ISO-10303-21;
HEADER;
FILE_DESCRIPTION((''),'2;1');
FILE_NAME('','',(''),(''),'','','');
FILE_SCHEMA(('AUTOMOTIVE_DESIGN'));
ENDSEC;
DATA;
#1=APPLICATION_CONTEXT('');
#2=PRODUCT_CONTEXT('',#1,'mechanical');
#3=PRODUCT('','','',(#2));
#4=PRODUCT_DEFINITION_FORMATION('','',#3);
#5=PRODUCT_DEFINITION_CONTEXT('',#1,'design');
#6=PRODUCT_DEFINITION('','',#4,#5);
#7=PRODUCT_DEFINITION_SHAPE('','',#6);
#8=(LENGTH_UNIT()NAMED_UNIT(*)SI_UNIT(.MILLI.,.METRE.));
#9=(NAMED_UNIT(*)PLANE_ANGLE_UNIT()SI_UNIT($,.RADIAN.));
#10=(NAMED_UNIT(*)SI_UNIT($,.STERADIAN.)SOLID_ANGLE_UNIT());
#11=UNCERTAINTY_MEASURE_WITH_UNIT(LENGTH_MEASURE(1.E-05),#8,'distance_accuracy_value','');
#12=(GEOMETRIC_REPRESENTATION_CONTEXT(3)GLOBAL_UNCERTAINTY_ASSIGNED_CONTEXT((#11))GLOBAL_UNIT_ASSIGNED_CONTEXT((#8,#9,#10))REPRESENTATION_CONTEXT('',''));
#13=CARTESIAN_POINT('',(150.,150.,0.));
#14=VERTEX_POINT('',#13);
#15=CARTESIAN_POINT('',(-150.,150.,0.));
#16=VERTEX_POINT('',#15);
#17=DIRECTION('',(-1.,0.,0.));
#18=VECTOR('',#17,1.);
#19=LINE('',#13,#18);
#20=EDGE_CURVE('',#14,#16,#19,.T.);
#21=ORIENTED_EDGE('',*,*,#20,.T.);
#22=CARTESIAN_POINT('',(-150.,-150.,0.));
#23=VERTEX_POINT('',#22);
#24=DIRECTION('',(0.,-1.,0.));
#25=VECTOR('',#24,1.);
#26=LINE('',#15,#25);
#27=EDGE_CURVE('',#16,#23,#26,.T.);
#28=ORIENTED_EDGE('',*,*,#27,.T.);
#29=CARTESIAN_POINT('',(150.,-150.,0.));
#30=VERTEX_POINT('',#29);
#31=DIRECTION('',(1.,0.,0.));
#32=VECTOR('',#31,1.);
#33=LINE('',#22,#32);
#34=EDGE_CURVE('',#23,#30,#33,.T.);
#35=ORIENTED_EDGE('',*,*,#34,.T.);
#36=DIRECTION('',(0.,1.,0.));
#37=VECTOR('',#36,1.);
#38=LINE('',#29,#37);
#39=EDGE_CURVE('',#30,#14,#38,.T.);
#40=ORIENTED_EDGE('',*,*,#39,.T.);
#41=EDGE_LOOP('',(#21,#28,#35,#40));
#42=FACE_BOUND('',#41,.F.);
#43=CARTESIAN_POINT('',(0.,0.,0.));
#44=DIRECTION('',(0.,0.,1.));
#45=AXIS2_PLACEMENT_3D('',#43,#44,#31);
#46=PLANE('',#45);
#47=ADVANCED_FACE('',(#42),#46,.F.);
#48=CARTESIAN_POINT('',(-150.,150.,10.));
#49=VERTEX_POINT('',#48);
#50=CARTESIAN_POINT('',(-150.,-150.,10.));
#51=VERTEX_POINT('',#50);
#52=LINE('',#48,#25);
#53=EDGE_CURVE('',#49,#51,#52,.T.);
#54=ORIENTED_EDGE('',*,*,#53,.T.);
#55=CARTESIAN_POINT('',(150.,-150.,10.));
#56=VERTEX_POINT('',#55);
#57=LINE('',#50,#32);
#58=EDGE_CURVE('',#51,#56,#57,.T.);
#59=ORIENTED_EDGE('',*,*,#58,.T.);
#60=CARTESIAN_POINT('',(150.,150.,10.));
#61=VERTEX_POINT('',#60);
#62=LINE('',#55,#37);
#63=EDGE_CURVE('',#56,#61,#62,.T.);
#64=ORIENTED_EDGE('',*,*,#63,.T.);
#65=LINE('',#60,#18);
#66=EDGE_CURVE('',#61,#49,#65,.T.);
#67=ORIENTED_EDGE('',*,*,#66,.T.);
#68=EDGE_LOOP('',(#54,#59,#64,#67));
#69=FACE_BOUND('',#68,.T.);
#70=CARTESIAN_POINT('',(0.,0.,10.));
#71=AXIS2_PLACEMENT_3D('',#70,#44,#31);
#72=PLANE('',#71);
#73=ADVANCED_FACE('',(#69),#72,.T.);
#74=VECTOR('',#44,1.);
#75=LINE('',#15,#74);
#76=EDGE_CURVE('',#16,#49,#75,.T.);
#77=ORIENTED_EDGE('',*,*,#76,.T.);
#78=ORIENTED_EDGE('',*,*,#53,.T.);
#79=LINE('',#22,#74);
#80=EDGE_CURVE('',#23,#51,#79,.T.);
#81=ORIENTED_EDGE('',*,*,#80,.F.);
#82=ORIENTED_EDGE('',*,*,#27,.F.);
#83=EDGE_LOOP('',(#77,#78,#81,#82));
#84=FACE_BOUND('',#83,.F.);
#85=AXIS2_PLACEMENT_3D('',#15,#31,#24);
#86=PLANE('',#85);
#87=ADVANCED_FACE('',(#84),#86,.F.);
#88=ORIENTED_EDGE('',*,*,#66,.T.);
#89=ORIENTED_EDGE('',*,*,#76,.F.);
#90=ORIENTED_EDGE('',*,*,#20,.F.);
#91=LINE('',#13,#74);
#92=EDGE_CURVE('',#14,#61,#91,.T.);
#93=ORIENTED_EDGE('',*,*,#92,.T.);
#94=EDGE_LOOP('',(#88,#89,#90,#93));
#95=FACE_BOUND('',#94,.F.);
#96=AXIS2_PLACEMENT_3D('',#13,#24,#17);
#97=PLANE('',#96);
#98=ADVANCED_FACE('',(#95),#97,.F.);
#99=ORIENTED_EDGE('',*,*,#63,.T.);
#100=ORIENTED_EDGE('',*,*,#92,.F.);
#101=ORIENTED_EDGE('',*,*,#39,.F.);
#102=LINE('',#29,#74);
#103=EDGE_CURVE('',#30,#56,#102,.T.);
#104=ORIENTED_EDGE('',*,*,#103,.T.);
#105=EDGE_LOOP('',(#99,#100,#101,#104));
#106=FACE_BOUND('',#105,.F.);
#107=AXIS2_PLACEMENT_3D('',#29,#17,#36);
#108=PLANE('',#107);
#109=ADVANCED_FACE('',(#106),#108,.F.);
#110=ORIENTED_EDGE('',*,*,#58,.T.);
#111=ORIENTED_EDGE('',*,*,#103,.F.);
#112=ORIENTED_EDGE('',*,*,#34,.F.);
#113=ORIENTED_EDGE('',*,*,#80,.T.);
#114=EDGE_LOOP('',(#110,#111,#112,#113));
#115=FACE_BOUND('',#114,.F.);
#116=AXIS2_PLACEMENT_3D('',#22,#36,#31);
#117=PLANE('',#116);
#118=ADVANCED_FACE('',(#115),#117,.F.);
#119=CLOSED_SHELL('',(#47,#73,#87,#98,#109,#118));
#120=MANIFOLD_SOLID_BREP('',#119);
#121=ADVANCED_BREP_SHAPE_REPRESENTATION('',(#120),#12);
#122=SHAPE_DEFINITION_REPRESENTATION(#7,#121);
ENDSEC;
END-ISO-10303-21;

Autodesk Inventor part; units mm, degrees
ref_plane "YZ Plane" through (0, 0, 0) normal (1, 0, 0) x (0, 1, 0)
ref_plane "XZ Plane" through (0, 0, 0) normal (0, 1, 0) x (-1, 0, 0)
ref_plane "XY Plane" through (0, 0, 0) normal (0, 0, 1) x (1, 0, 0)
sketch "スケッチ2" plane through (0, 0, 0) normal (0, 0, 1) x (1, 0, 0)
  line L0 (-150, -150) -> (150, -150)
  line L1 (150, -150) -> (150, 150)
  line L2 (150, 150) -> (-150, 150)
  line L3 (-150, 150) -> (-150, -150)
  line L4 (-150, -150) -> (150, 150) construction
  line L5 (150, -150) -> (-150, 150) construction
  point P0 (0, 0)
  dimension "d4" = 300
  dimension "d5" = 300
extrude "押し出し1" add sketch "スケッチ2" along normal blind 10
properties part number "CNC_bed_face"
